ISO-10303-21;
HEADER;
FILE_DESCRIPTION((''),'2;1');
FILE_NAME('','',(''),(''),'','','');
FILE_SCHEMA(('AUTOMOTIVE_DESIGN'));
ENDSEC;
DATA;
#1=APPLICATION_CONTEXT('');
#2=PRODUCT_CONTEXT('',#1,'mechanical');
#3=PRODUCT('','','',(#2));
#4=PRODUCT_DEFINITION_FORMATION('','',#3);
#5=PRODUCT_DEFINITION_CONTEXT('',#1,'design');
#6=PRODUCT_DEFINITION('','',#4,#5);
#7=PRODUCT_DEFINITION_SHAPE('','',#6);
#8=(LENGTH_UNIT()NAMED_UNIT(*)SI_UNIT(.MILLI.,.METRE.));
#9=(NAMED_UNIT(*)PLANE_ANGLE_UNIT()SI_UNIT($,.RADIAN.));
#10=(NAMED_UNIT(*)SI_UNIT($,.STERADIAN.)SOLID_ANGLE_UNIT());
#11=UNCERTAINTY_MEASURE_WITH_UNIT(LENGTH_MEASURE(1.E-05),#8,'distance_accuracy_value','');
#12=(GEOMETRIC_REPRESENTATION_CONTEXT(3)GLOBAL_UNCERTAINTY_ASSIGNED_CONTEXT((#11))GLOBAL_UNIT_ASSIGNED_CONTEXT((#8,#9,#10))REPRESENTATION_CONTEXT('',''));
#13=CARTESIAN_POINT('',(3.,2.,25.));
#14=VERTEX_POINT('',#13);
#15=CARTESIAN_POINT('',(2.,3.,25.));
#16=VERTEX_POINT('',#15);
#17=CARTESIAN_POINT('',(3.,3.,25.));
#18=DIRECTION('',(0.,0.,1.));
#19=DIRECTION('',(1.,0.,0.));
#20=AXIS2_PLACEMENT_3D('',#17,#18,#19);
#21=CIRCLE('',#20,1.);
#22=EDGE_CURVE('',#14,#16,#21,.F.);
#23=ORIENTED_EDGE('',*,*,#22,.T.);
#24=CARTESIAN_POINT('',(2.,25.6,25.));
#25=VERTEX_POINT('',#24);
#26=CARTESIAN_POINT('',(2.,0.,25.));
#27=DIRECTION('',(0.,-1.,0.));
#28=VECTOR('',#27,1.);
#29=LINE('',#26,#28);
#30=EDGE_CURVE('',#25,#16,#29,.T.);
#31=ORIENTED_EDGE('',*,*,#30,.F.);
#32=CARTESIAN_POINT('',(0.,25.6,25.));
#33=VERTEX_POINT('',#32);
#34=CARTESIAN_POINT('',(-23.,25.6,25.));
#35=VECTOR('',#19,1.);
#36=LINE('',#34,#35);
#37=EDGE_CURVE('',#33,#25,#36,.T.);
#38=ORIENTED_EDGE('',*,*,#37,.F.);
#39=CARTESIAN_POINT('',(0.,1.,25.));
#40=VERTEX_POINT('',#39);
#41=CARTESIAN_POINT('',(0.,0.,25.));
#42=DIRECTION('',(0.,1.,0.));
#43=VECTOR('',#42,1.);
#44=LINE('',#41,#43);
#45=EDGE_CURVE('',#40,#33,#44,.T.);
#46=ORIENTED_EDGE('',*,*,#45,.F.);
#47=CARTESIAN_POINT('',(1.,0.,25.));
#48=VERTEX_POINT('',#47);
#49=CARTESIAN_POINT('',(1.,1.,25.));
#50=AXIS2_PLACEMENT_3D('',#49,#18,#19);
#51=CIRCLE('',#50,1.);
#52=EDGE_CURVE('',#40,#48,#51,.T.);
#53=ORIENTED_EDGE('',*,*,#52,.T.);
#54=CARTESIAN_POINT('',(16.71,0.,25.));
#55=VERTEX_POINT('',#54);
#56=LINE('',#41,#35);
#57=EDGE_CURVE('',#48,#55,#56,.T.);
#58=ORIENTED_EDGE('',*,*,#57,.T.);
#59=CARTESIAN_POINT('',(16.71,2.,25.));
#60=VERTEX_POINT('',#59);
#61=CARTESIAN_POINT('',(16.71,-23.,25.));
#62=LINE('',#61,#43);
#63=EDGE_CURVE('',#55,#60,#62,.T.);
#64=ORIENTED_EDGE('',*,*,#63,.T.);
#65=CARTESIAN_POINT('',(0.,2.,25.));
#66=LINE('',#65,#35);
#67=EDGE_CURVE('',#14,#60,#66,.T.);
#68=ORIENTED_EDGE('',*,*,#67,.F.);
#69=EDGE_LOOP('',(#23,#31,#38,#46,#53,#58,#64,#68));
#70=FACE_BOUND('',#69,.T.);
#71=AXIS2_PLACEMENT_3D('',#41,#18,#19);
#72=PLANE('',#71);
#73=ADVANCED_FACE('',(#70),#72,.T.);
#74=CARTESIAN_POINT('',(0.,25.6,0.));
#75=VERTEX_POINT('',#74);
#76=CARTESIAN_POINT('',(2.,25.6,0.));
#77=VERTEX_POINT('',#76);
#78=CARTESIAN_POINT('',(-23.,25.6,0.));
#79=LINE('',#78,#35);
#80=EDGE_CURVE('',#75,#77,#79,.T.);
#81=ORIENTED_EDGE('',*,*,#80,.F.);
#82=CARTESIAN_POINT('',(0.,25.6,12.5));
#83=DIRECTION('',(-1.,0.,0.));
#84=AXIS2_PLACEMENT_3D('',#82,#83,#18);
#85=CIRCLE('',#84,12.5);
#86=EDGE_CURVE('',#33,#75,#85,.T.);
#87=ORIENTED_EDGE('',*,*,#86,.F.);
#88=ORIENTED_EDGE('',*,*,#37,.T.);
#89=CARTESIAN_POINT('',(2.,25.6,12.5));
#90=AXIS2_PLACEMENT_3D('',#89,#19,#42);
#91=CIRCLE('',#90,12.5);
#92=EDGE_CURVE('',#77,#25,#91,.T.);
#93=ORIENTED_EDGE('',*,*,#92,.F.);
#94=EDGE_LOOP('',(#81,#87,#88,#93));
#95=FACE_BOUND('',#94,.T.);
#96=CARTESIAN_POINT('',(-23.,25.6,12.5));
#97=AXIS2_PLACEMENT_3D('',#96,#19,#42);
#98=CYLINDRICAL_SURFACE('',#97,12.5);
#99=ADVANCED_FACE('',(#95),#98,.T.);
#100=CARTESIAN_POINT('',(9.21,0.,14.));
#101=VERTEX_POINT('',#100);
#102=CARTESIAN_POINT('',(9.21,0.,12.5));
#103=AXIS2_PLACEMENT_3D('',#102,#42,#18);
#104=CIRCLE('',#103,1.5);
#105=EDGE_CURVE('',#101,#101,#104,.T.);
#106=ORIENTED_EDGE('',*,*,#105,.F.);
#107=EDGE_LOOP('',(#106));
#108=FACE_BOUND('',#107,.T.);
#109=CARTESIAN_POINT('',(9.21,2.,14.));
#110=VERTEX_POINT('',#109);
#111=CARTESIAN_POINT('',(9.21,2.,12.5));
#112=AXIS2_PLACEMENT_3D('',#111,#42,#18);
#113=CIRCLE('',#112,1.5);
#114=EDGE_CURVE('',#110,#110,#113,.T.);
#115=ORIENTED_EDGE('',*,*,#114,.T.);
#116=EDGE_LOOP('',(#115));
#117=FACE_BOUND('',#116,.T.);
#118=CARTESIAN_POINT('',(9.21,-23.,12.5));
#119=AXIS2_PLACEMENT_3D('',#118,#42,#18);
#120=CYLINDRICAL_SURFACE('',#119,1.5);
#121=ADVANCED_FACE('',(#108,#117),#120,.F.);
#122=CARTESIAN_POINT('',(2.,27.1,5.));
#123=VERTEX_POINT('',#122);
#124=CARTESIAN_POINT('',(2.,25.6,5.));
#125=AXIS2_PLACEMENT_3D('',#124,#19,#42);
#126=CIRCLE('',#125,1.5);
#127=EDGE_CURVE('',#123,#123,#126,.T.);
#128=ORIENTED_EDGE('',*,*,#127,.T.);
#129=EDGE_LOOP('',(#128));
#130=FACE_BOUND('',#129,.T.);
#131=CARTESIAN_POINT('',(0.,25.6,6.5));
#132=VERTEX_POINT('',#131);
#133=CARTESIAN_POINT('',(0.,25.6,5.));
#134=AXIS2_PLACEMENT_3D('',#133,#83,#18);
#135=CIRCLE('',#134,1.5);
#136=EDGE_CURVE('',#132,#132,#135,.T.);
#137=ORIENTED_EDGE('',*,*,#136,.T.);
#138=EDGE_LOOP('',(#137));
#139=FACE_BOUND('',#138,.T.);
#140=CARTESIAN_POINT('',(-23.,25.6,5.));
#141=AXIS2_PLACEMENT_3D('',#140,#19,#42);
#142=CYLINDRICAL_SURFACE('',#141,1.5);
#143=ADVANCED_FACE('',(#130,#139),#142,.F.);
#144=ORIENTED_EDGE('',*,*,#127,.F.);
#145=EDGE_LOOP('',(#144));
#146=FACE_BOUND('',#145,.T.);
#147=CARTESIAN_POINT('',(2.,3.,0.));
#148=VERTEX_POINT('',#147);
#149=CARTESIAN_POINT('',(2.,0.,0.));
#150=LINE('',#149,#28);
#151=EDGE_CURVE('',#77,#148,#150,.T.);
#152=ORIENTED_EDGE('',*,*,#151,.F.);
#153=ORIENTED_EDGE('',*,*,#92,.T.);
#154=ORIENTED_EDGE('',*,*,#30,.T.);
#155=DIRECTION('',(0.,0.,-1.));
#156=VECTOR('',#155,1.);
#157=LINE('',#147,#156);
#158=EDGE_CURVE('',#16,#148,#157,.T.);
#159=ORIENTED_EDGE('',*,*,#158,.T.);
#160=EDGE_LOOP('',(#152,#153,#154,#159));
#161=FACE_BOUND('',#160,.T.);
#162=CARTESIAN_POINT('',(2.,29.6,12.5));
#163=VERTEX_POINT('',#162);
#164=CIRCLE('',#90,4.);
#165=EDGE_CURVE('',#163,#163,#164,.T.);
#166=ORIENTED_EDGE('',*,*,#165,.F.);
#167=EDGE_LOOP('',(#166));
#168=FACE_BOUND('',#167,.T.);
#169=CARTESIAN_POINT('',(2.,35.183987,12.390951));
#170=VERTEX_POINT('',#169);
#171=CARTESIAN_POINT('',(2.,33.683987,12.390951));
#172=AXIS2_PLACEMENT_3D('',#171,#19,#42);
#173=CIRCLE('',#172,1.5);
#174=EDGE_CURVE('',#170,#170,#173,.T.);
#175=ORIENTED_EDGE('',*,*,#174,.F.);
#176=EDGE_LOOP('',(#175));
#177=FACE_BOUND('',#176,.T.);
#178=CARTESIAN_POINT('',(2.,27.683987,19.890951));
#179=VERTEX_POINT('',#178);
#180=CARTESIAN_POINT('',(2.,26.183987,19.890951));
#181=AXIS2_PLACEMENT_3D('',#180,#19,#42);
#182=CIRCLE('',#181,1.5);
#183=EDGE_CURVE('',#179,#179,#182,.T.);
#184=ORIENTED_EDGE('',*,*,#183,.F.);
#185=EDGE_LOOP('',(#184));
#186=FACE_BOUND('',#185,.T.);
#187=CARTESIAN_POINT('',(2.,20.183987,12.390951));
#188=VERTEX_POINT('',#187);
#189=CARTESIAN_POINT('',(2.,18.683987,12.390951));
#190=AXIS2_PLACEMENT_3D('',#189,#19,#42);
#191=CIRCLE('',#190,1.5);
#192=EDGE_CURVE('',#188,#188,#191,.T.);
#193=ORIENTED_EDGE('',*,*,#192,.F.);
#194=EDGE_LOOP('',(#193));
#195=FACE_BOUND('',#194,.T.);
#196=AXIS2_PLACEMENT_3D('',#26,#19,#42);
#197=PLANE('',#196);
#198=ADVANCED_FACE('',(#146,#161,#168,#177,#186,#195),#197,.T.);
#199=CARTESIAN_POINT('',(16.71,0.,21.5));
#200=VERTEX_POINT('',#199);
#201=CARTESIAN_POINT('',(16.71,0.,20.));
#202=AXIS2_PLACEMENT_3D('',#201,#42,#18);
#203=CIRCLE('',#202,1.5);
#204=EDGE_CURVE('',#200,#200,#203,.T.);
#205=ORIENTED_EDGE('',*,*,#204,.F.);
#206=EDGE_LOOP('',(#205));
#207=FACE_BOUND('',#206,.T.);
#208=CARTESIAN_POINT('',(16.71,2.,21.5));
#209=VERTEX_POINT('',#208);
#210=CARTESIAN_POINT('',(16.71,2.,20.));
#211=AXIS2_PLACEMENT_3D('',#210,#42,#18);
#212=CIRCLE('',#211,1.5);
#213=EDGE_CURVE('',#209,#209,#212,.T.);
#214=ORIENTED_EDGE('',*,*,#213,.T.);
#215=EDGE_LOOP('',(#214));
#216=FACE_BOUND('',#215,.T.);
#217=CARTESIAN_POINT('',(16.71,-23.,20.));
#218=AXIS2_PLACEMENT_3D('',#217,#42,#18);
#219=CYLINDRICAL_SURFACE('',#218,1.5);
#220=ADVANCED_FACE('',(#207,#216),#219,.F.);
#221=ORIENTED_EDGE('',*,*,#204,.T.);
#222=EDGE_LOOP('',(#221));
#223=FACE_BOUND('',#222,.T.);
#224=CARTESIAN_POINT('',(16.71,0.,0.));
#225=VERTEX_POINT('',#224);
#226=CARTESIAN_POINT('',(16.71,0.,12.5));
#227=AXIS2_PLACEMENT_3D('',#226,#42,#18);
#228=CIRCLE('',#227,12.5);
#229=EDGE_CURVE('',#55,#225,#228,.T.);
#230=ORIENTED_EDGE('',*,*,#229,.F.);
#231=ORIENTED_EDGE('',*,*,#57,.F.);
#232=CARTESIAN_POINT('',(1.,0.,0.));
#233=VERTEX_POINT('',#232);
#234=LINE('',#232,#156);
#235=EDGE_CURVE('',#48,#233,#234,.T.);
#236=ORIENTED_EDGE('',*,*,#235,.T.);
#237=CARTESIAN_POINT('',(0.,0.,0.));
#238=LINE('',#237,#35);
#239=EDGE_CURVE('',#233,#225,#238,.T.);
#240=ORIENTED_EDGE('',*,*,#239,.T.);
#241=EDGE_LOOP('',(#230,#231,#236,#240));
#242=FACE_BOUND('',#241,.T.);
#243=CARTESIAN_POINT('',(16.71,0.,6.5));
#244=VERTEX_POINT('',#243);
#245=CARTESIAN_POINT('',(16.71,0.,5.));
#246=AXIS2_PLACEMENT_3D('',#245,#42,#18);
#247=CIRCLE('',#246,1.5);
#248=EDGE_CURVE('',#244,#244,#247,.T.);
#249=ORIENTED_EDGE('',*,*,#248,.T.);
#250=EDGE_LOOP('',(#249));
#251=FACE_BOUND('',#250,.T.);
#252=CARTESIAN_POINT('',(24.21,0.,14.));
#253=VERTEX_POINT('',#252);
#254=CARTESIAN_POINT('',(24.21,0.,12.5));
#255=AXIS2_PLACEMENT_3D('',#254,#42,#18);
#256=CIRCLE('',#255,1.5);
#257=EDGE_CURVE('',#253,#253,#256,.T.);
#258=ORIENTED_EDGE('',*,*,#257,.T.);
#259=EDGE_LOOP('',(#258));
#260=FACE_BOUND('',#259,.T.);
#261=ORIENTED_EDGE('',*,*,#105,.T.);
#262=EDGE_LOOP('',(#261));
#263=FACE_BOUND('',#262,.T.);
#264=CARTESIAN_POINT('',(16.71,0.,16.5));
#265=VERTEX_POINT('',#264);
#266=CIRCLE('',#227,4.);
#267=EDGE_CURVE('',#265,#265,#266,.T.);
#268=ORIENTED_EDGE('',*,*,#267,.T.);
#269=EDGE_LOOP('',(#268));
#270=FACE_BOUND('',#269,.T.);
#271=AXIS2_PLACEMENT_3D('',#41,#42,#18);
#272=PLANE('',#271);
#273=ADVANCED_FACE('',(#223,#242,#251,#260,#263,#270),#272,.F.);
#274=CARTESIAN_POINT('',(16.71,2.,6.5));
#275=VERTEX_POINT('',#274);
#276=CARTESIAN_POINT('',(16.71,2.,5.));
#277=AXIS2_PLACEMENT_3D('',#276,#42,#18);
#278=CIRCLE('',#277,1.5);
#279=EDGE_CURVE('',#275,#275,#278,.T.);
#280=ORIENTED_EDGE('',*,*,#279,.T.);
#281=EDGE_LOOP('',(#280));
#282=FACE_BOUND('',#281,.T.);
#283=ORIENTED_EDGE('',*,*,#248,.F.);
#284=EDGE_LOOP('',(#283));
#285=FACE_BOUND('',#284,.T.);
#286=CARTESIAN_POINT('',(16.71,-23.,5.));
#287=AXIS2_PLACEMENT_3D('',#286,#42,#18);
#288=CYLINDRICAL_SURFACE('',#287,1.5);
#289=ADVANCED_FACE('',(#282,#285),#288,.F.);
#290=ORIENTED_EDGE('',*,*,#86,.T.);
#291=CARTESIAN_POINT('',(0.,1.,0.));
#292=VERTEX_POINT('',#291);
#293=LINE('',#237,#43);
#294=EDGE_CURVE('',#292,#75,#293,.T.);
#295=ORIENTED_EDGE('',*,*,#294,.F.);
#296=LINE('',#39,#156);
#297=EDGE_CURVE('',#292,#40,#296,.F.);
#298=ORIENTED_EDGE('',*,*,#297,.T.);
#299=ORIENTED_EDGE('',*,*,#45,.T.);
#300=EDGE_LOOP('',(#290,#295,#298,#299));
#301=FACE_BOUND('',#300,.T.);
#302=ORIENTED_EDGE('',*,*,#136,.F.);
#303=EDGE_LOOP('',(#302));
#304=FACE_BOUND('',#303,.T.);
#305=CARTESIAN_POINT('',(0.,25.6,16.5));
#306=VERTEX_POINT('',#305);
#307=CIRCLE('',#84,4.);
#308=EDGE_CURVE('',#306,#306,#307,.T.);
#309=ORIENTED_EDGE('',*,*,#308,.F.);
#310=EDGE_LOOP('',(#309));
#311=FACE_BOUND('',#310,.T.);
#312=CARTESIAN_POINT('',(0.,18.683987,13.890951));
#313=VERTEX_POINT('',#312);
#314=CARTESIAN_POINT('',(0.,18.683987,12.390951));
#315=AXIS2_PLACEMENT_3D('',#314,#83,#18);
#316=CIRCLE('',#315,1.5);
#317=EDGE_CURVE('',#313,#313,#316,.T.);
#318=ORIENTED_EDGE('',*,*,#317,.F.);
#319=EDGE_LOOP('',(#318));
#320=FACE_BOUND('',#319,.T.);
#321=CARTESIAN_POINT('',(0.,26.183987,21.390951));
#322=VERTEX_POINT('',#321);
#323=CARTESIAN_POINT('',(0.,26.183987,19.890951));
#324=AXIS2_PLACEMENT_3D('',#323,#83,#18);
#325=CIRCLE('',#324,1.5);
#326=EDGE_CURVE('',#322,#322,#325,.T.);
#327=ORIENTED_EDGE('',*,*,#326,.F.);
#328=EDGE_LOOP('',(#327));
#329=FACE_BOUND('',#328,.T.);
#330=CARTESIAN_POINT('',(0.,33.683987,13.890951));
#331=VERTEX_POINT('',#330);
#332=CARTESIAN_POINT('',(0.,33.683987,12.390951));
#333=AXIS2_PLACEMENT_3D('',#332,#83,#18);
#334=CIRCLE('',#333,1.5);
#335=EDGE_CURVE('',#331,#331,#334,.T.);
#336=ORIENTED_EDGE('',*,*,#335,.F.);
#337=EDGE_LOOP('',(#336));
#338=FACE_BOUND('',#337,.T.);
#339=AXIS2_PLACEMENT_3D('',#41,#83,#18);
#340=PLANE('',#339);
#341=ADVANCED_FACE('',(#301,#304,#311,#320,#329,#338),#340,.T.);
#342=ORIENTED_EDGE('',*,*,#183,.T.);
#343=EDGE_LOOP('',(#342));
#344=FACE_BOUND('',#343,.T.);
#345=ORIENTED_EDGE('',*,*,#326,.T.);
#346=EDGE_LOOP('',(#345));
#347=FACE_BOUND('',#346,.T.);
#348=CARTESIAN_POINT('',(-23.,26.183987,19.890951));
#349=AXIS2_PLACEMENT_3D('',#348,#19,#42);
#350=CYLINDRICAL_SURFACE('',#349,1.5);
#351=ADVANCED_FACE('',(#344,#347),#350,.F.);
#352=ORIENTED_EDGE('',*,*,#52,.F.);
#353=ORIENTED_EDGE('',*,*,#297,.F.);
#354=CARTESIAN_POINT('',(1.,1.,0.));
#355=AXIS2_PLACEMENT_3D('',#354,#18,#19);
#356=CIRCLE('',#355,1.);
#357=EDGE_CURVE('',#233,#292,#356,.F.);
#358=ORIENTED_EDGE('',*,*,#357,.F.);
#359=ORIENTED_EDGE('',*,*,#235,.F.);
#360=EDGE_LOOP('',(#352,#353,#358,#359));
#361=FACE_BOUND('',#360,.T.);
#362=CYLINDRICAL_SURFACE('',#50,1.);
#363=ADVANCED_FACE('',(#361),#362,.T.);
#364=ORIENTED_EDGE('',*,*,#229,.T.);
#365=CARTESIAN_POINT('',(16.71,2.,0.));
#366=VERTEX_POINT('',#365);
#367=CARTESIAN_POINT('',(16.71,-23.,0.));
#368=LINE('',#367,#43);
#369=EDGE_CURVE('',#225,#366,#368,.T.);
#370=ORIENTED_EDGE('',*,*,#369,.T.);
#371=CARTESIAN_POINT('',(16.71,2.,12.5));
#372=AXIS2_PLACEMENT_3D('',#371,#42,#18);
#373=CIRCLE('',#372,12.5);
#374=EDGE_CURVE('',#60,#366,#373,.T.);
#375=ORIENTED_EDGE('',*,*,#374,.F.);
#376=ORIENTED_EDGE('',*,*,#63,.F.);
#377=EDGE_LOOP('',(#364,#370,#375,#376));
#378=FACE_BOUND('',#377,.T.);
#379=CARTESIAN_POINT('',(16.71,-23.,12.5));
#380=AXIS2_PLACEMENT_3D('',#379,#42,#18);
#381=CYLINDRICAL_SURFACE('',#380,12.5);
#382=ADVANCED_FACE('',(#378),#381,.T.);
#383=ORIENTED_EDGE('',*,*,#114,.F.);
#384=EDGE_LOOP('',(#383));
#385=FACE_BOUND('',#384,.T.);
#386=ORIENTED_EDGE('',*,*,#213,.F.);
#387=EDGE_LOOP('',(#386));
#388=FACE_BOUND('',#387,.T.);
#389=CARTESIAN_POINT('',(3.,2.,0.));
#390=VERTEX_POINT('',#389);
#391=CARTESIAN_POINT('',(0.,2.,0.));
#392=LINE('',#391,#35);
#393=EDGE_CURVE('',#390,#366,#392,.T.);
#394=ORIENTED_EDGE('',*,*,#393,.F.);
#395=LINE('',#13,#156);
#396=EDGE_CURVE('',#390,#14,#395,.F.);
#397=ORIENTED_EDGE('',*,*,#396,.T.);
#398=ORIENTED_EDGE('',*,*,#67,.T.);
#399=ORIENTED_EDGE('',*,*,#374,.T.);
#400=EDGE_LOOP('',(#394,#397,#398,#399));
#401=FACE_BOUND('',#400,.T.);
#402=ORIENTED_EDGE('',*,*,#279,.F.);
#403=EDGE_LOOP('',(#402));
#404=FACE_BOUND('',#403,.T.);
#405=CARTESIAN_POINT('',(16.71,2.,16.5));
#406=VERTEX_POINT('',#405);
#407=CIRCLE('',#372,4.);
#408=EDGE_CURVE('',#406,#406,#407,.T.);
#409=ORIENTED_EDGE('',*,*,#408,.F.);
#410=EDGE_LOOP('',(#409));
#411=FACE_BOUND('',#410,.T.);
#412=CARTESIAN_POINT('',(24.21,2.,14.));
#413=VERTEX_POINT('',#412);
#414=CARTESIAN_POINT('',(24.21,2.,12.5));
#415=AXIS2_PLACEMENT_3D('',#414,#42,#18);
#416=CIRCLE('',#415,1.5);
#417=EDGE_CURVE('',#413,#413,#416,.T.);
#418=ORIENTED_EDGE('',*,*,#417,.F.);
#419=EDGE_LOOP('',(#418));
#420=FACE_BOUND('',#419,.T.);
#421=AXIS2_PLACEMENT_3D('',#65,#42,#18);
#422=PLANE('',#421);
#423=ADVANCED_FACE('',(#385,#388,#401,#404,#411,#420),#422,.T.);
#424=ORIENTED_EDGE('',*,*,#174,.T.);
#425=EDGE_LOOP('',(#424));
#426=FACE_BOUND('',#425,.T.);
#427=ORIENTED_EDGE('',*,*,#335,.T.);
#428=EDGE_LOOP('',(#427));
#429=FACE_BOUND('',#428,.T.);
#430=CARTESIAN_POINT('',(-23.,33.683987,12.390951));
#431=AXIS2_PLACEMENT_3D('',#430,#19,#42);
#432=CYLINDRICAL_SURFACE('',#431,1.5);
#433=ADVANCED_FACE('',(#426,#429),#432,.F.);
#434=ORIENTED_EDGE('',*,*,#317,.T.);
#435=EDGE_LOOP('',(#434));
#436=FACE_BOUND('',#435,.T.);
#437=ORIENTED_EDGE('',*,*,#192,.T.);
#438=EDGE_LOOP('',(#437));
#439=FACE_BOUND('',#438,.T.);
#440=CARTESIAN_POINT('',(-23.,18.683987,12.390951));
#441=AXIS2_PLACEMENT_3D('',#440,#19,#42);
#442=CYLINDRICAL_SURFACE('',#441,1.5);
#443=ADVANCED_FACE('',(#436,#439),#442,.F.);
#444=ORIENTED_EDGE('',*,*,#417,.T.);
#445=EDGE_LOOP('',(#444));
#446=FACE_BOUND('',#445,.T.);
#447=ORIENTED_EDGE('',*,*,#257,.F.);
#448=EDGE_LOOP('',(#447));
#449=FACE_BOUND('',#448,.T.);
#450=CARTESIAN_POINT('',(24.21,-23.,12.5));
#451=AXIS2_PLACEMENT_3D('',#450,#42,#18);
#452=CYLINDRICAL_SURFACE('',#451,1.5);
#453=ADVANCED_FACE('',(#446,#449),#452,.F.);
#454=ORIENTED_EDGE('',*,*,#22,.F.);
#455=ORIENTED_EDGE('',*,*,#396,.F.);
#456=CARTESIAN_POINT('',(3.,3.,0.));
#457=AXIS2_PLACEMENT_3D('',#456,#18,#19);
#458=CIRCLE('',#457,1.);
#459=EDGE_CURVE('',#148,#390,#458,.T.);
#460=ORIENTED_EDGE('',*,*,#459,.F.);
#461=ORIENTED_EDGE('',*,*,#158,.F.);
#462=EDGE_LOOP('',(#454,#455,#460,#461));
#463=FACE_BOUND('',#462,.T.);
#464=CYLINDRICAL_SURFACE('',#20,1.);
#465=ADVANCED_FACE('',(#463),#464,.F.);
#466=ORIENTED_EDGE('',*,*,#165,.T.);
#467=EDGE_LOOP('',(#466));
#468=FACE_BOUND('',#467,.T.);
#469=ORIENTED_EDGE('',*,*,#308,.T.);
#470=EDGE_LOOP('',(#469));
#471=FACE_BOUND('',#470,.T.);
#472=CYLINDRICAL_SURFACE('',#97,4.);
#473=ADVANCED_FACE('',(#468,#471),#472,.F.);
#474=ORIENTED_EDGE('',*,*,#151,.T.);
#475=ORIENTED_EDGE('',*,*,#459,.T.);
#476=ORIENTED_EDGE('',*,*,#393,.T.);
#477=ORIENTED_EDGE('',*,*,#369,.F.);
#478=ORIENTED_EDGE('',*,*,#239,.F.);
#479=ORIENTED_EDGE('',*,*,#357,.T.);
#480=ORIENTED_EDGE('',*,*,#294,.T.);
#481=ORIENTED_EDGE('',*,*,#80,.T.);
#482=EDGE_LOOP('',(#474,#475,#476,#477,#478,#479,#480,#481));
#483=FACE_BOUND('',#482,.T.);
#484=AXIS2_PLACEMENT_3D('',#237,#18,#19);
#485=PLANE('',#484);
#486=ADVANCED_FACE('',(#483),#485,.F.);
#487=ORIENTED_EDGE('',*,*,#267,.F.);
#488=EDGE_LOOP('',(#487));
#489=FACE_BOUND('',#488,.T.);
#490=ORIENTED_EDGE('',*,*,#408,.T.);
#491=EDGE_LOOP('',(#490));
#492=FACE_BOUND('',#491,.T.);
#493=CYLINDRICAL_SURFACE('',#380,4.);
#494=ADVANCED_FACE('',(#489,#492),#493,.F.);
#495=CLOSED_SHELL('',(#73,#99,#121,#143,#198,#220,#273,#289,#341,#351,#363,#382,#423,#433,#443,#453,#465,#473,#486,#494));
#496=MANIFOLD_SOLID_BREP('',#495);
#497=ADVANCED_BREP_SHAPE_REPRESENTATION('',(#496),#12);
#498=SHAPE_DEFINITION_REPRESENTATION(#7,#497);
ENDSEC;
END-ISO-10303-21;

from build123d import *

# Parameters (mm, degrees)
SKETCH1_W           = 27.21
SKETCH1_H           = 2
BOSS_EXTRUDE1_DEPTH = 25
SKETCH2_R           = 1.5
SKETCH2_R_2         = 4
CUT_EXTRUDE1_DEPTH  = 25
SKETCH3_R           = 1.5
SKETCH3_R_2         = 4
CUT_EXTRUDE3_DEPTH  = 25
FILLET1_R           = 1


with BuildPart() as part:
    # Sketch1 → Boss-Extrude1 (new body)
    with BuildSketch(Plane.XY):
        Polygon((2, 2), (2, 38.1), (0, 38.1), (0, 0), (2, 0), align=None)
        with Locations((15.605, 1)):
            Rectangle(SKETCH1_W, SKETCH1_H)
    extrude(amount=BOSS_EXTRUDE1_DEPTH)

    # Sketch2 → Cut-Extrude1 (cut)
    with BuildSketch(Plane(origin=(0, 2, 0), x_dir=(1, 0, 0), z_dir=(0, 1, 0))):
        with Locations(Location((16.71, -20, 0), (0, 0, 270))):
            Circle(SKETCH2_R)
        with Locations(Location((9.21, -12.5, 0), (0, 0, 270))):
            Circle(SKETCH2_R)
        with Locations(Location((16.71, -5, 0), (0, 0, 270))):
            Circle(SKETCH2_R)
        with Locations(Location((24.21, -12.5, 0), (0, 0, 270))):
            Circle(SKETCH2_R)
        with Locations(Location((16.71, -12.5, 0), (0, 0, 270))):
            Circle(SKETCH2_R_2)
        with BuildLine():
            Line((29.21, -12.5), (29.21, 0))
            Line((29.21, 0), (16.71, 0))
            ThreePointArc((16.71, 0), (25.548834765, -3.661165235), (29.21, -12.5))
        make_face()
        with BuildLine():
            Line((29.21, -25), (29.21, -12.5))
            ThreePointArc((29.21, -12.5), (25.548834765, -21.338834765), (16.71, -25))
            Line((16.71, -25), (29.21, -25))
        make_face()
    extrude(amount=-CUT_EXTRUDE1_DEPTH, mode=Mode.SUBTRACT)

    # Sketch3 → Cut-Extrude3 (cut)
    with BuildSketch(Plane(origin=(2, 0, 0), x_dir=(0, 0, -1), z_dir=(1, 0, 0))):
        with BuildLine():
            ThreePointArc((-25, 25.599999976), (-21.338834773, 34.438834756), (-12.5, 38.1))
            Line((-12.5, 38.1), (-25, 38.1))
            Line((-25, 38.1), (-25, 25.599999976))
        make_face()
        with BuildLine():
            Line((0, 25.6), (0, 38.1))
            Line((0, 38.1), (-12.5, 38.1))
            ThreePointArc((-12.5, 38.1), (-3.661165235, 34.438834765), (0, 25.6))
        make_face()
        with Locations(Location((-12.390951319, 33.683987084, 0), (0, 0, 90))):
            Circle(SKETCH3_R)
        with Locations(Location((-5, 25.6, 0), (0, 0, 90))):
            Circle(SKETCH3_R)
        with Locations(Location((-19.890951319, 26.183987084, 0), (0, 0, 90))):
            Circle(SKETCH3_R)
        with Locations(Location((-12.5, 25.6, 0), (0, 0, 90))):
            Circle(SKETCH3_R_2)
        with Locations(Location((-12.390951319, 18.683987084, 0), (0, 0, 90))):
            Circle(SKETCH3_R)
    extrude(amount=-CUT_EXTRUDE3_DEPTH, mode=Mode.SUBTRACT)

    # Fillet1
    fillet1_edges = [part.edges().sort_by_distance(p)[0] for p in [
        (2, 2, 12.5),
        (0, 0, 12.5),
    ]]
    fillet(fillet1_edges, radius=FILLET1_R)


solid = part.part
